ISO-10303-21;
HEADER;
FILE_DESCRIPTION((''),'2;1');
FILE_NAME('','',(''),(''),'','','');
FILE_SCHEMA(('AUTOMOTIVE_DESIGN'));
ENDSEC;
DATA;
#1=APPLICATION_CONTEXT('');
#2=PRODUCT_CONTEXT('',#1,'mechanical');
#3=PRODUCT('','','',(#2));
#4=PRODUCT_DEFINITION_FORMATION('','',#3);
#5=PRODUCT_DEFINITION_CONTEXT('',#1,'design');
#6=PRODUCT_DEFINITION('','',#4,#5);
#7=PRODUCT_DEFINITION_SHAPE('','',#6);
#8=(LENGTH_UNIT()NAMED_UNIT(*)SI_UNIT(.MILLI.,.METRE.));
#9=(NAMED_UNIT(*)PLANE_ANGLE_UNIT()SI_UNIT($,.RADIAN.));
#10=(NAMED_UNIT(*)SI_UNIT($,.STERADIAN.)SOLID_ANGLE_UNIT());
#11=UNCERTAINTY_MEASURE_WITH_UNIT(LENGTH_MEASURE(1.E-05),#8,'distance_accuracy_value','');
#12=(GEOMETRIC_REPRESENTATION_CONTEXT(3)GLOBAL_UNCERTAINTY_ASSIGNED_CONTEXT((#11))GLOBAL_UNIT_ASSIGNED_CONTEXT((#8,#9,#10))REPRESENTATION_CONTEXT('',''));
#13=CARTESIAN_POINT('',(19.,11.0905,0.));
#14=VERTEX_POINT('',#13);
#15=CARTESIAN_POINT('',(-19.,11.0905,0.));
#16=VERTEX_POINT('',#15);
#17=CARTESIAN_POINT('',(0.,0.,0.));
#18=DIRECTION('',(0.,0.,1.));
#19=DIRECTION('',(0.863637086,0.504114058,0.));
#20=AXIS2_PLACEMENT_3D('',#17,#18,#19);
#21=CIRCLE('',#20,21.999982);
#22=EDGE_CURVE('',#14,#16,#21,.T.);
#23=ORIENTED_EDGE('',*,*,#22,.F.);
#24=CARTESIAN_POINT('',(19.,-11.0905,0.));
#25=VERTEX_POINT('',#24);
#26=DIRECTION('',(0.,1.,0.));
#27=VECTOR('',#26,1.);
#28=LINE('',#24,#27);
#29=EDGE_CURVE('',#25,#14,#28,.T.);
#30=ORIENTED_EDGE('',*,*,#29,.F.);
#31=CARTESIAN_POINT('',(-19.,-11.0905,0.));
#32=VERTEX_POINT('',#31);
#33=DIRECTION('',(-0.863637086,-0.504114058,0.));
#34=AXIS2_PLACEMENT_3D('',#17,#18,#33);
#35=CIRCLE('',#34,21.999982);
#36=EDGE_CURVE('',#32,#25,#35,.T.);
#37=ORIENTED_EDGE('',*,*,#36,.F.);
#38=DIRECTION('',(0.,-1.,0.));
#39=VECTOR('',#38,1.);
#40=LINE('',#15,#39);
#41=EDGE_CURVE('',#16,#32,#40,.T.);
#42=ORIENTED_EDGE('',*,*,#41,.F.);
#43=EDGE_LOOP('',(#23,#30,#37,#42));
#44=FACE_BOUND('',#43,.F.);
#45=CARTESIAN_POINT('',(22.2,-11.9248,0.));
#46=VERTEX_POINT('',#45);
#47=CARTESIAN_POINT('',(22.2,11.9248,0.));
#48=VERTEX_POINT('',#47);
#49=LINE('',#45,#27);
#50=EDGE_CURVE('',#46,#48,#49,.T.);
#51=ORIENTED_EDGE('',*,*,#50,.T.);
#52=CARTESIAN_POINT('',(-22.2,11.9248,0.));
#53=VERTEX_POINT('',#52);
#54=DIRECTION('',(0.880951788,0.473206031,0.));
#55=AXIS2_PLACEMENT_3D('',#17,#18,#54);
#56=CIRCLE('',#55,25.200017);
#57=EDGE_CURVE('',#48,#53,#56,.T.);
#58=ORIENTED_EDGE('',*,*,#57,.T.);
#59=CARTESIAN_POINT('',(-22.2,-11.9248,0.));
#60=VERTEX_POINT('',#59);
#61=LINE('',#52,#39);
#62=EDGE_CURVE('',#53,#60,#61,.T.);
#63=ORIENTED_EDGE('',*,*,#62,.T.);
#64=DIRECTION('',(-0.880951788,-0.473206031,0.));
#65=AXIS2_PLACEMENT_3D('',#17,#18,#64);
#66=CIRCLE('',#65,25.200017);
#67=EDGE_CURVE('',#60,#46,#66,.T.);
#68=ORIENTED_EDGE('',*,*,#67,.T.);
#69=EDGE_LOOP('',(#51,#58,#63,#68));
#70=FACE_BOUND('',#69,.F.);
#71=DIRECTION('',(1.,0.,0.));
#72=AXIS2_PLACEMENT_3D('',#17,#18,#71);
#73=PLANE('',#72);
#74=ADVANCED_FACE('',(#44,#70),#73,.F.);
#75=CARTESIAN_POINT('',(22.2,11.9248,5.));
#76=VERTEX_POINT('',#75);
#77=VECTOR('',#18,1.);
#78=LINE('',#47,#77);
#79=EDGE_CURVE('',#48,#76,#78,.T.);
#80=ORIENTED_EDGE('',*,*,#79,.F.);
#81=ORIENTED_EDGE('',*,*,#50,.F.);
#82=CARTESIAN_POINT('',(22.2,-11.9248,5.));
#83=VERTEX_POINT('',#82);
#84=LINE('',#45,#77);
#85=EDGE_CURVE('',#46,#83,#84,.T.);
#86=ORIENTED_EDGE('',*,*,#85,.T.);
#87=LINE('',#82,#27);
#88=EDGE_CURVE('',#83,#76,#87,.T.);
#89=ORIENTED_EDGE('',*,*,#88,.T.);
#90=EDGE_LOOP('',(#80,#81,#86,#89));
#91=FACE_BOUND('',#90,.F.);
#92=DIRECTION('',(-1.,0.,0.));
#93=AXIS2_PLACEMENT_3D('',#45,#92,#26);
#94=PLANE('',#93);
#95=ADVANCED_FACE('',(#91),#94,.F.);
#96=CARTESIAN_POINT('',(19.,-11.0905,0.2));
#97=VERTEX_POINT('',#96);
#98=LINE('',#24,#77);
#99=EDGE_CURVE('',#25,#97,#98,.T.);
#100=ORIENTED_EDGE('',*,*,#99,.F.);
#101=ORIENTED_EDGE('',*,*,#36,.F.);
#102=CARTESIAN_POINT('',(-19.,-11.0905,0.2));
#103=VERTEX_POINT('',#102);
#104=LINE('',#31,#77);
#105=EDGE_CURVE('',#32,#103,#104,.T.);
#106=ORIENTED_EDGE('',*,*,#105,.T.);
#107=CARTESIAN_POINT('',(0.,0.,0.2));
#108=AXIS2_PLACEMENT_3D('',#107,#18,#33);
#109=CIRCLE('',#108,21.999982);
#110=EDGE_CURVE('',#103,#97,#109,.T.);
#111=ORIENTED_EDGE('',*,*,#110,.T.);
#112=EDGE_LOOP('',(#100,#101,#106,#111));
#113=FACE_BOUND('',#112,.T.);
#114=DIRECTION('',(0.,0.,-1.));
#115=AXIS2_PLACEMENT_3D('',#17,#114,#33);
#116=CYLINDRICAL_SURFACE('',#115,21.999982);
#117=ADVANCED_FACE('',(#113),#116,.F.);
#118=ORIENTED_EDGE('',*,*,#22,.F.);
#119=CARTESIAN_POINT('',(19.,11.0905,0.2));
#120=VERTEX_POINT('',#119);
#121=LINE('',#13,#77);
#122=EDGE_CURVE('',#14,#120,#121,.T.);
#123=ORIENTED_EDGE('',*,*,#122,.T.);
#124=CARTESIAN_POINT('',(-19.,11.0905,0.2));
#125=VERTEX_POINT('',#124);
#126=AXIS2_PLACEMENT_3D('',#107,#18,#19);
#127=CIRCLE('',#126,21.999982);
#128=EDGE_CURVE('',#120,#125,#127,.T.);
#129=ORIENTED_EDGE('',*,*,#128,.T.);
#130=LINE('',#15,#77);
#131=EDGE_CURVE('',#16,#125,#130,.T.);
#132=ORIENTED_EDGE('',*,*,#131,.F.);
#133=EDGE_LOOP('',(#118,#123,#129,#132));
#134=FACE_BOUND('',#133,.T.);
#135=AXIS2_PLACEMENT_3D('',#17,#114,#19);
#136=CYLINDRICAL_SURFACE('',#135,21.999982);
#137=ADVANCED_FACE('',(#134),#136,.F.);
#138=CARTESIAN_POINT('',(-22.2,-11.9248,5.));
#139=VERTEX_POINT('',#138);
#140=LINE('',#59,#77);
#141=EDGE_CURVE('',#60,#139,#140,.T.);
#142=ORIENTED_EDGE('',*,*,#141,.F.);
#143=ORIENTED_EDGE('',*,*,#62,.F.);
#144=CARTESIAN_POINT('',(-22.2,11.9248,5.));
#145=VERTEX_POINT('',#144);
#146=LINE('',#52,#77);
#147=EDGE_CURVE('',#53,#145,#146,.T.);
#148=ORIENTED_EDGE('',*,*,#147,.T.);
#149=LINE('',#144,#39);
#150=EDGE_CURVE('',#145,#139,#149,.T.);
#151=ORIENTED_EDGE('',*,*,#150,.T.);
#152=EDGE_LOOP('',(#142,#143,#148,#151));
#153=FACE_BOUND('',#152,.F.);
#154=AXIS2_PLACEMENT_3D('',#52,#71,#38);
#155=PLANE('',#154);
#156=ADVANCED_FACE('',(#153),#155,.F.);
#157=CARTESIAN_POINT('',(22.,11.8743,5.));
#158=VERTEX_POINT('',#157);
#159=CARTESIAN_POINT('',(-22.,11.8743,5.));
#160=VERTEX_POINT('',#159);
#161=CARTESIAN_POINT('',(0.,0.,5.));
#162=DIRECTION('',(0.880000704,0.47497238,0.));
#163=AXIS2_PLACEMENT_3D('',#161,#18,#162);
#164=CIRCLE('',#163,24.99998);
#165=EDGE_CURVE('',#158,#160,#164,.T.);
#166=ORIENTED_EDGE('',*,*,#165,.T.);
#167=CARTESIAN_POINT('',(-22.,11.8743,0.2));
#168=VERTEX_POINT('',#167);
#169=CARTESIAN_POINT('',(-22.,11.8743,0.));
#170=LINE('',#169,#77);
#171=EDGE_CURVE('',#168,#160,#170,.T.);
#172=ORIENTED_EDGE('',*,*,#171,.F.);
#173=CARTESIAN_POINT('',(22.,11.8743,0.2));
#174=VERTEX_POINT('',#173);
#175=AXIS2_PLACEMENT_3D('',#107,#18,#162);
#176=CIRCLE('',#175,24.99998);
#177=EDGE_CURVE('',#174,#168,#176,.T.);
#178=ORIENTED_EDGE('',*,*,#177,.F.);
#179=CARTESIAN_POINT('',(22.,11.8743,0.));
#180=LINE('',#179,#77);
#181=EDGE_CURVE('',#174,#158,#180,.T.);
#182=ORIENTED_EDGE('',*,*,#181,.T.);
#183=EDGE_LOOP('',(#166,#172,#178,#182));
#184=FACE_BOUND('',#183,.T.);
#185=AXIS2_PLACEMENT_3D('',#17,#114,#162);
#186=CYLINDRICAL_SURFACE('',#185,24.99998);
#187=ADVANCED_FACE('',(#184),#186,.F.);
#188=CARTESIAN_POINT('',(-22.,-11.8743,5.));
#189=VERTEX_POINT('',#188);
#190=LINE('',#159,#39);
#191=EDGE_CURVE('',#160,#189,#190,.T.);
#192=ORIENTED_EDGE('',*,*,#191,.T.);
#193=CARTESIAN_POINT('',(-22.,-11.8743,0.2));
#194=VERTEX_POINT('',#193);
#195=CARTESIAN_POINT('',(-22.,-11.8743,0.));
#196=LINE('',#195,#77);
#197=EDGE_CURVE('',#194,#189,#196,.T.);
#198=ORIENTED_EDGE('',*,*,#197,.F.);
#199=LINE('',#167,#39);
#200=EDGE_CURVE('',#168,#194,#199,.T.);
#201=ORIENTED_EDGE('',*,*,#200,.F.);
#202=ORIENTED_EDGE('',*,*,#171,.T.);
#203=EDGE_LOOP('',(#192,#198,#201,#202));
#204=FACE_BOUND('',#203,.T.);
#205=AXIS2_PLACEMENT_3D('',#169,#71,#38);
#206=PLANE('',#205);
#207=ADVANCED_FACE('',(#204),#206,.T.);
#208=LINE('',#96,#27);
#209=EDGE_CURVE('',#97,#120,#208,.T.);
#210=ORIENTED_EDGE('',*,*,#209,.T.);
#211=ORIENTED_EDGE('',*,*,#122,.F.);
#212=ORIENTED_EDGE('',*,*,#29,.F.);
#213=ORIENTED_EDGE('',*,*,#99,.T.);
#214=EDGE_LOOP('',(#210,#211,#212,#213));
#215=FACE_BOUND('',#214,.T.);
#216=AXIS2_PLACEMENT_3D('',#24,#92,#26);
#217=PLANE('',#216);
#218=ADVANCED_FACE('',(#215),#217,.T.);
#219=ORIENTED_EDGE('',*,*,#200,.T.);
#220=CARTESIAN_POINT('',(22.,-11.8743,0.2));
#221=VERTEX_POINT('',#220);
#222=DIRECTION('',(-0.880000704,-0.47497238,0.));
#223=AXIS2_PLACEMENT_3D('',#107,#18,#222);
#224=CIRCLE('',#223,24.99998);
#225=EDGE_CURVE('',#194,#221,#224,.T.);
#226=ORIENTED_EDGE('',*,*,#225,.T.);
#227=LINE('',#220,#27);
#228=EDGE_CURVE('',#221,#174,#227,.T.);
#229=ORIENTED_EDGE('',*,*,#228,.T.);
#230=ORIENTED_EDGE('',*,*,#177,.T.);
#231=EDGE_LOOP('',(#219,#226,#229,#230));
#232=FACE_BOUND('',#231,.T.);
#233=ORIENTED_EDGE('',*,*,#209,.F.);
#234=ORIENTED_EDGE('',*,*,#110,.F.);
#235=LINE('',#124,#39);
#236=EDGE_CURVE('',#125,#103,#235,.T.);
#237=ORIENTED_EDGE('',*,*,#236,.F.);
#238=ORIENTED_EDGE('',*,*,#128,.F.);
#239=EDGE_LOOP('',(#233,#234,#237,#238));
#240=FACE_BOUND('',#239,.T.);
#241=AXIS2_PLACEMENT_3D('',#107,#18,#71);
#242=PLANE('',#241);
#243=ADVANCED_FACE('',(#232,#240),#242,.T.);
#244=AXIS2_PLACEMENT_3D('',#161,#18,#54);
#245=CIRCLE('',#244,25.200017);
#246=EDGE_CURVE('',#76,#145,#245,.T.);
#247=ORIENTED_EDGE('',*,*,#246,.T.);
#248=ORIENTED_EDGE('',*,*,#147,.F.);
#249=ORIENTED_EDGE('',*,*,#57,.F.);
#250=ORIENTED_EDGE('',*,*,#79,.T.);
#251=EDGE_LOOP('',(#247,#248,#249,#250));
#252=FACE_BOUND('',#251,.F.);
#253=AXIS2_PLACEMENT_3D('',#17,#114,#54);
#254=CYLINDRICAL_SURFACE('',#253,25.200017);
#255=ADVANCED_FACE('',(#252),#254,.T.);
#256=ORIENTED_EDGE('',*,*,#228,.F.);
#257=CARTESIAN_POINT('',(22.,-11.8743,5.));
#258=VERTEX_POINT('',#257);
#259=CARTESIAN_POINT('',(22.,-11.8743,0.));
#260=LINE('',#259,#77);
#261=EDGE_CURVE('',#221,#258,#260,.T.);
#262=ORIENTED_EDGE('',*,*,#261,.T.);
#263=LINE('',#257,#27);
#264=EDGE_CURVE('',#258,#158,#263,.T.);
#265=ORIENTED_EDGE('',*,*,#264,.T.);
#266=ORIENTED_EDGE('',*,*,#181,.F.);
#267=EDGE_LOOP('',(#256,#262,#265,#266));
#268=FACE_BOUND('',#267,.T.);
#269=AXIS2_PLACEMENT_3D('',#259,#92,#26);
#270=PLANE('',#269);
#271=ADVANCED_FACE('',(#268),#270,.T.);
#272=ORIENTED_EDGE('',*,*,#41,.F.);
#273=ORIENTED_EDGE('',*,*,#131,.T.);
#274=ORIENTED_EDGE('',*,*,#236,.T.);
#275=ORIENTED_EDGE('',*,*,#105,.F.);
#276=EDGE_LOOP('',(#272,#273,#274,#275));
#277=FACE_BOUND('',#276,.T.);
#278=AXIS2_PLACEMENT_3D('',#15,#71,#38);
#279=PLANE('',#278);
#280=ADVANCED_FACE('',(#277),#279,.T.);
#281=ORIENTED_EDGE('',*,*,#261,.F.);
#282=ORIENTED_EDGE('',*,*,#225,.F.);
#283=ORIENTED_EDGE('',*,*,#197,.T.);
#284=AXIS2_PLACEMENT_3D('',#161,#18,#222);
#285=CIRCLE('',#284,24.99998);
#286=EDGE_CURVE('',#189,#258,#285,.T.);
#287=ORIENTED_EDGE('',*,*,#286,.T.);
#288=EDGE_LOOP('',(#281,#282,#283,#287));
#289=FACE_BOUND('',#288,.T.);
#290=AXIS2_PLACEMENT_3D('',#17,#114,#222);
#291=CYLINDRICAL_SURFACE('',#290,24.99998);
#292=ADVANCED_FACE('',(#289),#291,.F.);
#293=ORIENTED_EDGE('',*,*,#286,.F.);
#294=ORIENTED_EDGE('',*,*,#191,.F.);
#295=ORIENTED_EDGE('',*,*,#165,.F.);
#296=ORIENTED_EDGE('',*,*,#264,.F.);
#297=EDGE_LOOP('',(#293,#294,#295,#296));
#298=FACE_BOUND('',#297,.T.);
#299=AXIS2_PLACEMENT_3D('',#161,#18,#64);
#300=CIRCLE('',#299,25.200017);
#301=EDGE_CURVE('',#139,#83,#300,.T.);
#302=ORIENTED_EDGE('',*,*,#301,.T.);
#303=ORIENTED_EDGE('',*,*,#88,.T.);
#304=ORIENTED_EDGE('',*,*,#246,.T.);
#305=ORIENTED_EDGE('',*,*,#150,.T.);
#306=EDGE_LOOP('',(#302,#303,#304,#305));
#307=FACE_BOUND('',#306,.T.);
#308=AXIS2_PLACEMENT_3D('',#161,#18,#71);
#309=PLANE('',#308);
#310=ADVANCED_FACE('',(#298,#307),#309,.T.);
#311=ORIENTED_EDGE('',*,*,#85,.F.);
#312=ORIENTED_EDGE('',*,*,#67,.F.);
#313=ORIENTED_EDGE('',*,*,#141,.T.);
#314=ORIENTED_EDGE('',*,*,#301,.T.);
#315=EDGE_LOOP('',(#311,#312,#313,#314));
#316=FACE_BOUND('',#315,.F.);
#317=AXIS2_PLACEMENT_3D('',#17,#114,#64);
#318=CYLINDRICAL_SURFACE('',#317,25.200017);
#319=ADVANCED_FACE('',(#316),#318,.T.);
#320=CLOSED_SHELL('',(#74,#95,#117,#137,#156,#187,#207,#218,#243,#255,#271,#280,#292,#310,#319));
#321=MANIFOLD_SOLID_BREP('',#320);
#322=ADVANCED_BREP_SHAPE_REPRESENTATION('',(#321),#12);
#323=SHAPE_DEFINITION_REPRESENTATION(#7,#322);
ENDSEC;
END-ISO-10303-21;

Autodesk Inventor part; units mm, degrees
ref_plane "YZ Plane" through (0, 0, 0) normal (1, 0, 0) x (0, 1, 0)
ref_plane "XZ Plane" through (0, 0, 0) normal (0, 1, 0) x (-1, 0, 0)
ref_plane "XY Plane" through (0, 0, 0) normal (0, 0, 1) x (1, 0, 0)
sketch "Sketch1" plane through (0, 0, 0) normal (0, 0, 1) x (1, 0, 0)
  arc A0 (22, 11.8743) -> (-22, 11.8743) centre (0, 0) ccw
  arc A1 (-22, -11.8743) -> (22, -11.8743) centre (0, 0) ccw
  line L0 (-22, 11.8743) -> (-22, -11.8743)
  line L1 (22, -11.8743) -> (22, 11.8743)
  line L2 (-22.2, 11.9248) -> (-22.2, -11.9248)
  arc A2 (-22.2, -11.9248) -> (22.2, -11.9248) centre (0, 0) ccw
  line L3 (22.2, -11.9248) -> (22.2, 11.9248)
  arc A3 (22.2, 11.9248) -> (-22.2, 11.9248) centre (0, 0) ccw
  line L4 (-19, 11.0905) -> (-19, -11.0905)
  arc A4 (-19, -11.0905) -> (19, -11.0905) centre (0, 0) ccw
  line L5 (19, -11.0905) -> (19, 11.0905)
  arc A5 (19, 11.0905) -> (-19, 11.0905) centre (0, 0) ccw
  point P0 (-22, 0)
  point P1 (22, 0)
  dimension "d1" = 44
  dimension "d2" = 50
  dimension "d3" = 3
  dimension "d4" = 0.2
extrude "Extrusion1" add sketch "Sketch1" along normal blind 0.2 contours L1 A1 L0 A0
extrude "Extrusion2" add sketch "Sketch1" along normal blind 5 contours A3 L3 A2 L2
equation "\"d4\" = thickness"
equation "\"d5\" = thickness"
equation "\"thickness\" = 0.2"
properties part number "probe-gate-mesh" material "Stainless Steel"
